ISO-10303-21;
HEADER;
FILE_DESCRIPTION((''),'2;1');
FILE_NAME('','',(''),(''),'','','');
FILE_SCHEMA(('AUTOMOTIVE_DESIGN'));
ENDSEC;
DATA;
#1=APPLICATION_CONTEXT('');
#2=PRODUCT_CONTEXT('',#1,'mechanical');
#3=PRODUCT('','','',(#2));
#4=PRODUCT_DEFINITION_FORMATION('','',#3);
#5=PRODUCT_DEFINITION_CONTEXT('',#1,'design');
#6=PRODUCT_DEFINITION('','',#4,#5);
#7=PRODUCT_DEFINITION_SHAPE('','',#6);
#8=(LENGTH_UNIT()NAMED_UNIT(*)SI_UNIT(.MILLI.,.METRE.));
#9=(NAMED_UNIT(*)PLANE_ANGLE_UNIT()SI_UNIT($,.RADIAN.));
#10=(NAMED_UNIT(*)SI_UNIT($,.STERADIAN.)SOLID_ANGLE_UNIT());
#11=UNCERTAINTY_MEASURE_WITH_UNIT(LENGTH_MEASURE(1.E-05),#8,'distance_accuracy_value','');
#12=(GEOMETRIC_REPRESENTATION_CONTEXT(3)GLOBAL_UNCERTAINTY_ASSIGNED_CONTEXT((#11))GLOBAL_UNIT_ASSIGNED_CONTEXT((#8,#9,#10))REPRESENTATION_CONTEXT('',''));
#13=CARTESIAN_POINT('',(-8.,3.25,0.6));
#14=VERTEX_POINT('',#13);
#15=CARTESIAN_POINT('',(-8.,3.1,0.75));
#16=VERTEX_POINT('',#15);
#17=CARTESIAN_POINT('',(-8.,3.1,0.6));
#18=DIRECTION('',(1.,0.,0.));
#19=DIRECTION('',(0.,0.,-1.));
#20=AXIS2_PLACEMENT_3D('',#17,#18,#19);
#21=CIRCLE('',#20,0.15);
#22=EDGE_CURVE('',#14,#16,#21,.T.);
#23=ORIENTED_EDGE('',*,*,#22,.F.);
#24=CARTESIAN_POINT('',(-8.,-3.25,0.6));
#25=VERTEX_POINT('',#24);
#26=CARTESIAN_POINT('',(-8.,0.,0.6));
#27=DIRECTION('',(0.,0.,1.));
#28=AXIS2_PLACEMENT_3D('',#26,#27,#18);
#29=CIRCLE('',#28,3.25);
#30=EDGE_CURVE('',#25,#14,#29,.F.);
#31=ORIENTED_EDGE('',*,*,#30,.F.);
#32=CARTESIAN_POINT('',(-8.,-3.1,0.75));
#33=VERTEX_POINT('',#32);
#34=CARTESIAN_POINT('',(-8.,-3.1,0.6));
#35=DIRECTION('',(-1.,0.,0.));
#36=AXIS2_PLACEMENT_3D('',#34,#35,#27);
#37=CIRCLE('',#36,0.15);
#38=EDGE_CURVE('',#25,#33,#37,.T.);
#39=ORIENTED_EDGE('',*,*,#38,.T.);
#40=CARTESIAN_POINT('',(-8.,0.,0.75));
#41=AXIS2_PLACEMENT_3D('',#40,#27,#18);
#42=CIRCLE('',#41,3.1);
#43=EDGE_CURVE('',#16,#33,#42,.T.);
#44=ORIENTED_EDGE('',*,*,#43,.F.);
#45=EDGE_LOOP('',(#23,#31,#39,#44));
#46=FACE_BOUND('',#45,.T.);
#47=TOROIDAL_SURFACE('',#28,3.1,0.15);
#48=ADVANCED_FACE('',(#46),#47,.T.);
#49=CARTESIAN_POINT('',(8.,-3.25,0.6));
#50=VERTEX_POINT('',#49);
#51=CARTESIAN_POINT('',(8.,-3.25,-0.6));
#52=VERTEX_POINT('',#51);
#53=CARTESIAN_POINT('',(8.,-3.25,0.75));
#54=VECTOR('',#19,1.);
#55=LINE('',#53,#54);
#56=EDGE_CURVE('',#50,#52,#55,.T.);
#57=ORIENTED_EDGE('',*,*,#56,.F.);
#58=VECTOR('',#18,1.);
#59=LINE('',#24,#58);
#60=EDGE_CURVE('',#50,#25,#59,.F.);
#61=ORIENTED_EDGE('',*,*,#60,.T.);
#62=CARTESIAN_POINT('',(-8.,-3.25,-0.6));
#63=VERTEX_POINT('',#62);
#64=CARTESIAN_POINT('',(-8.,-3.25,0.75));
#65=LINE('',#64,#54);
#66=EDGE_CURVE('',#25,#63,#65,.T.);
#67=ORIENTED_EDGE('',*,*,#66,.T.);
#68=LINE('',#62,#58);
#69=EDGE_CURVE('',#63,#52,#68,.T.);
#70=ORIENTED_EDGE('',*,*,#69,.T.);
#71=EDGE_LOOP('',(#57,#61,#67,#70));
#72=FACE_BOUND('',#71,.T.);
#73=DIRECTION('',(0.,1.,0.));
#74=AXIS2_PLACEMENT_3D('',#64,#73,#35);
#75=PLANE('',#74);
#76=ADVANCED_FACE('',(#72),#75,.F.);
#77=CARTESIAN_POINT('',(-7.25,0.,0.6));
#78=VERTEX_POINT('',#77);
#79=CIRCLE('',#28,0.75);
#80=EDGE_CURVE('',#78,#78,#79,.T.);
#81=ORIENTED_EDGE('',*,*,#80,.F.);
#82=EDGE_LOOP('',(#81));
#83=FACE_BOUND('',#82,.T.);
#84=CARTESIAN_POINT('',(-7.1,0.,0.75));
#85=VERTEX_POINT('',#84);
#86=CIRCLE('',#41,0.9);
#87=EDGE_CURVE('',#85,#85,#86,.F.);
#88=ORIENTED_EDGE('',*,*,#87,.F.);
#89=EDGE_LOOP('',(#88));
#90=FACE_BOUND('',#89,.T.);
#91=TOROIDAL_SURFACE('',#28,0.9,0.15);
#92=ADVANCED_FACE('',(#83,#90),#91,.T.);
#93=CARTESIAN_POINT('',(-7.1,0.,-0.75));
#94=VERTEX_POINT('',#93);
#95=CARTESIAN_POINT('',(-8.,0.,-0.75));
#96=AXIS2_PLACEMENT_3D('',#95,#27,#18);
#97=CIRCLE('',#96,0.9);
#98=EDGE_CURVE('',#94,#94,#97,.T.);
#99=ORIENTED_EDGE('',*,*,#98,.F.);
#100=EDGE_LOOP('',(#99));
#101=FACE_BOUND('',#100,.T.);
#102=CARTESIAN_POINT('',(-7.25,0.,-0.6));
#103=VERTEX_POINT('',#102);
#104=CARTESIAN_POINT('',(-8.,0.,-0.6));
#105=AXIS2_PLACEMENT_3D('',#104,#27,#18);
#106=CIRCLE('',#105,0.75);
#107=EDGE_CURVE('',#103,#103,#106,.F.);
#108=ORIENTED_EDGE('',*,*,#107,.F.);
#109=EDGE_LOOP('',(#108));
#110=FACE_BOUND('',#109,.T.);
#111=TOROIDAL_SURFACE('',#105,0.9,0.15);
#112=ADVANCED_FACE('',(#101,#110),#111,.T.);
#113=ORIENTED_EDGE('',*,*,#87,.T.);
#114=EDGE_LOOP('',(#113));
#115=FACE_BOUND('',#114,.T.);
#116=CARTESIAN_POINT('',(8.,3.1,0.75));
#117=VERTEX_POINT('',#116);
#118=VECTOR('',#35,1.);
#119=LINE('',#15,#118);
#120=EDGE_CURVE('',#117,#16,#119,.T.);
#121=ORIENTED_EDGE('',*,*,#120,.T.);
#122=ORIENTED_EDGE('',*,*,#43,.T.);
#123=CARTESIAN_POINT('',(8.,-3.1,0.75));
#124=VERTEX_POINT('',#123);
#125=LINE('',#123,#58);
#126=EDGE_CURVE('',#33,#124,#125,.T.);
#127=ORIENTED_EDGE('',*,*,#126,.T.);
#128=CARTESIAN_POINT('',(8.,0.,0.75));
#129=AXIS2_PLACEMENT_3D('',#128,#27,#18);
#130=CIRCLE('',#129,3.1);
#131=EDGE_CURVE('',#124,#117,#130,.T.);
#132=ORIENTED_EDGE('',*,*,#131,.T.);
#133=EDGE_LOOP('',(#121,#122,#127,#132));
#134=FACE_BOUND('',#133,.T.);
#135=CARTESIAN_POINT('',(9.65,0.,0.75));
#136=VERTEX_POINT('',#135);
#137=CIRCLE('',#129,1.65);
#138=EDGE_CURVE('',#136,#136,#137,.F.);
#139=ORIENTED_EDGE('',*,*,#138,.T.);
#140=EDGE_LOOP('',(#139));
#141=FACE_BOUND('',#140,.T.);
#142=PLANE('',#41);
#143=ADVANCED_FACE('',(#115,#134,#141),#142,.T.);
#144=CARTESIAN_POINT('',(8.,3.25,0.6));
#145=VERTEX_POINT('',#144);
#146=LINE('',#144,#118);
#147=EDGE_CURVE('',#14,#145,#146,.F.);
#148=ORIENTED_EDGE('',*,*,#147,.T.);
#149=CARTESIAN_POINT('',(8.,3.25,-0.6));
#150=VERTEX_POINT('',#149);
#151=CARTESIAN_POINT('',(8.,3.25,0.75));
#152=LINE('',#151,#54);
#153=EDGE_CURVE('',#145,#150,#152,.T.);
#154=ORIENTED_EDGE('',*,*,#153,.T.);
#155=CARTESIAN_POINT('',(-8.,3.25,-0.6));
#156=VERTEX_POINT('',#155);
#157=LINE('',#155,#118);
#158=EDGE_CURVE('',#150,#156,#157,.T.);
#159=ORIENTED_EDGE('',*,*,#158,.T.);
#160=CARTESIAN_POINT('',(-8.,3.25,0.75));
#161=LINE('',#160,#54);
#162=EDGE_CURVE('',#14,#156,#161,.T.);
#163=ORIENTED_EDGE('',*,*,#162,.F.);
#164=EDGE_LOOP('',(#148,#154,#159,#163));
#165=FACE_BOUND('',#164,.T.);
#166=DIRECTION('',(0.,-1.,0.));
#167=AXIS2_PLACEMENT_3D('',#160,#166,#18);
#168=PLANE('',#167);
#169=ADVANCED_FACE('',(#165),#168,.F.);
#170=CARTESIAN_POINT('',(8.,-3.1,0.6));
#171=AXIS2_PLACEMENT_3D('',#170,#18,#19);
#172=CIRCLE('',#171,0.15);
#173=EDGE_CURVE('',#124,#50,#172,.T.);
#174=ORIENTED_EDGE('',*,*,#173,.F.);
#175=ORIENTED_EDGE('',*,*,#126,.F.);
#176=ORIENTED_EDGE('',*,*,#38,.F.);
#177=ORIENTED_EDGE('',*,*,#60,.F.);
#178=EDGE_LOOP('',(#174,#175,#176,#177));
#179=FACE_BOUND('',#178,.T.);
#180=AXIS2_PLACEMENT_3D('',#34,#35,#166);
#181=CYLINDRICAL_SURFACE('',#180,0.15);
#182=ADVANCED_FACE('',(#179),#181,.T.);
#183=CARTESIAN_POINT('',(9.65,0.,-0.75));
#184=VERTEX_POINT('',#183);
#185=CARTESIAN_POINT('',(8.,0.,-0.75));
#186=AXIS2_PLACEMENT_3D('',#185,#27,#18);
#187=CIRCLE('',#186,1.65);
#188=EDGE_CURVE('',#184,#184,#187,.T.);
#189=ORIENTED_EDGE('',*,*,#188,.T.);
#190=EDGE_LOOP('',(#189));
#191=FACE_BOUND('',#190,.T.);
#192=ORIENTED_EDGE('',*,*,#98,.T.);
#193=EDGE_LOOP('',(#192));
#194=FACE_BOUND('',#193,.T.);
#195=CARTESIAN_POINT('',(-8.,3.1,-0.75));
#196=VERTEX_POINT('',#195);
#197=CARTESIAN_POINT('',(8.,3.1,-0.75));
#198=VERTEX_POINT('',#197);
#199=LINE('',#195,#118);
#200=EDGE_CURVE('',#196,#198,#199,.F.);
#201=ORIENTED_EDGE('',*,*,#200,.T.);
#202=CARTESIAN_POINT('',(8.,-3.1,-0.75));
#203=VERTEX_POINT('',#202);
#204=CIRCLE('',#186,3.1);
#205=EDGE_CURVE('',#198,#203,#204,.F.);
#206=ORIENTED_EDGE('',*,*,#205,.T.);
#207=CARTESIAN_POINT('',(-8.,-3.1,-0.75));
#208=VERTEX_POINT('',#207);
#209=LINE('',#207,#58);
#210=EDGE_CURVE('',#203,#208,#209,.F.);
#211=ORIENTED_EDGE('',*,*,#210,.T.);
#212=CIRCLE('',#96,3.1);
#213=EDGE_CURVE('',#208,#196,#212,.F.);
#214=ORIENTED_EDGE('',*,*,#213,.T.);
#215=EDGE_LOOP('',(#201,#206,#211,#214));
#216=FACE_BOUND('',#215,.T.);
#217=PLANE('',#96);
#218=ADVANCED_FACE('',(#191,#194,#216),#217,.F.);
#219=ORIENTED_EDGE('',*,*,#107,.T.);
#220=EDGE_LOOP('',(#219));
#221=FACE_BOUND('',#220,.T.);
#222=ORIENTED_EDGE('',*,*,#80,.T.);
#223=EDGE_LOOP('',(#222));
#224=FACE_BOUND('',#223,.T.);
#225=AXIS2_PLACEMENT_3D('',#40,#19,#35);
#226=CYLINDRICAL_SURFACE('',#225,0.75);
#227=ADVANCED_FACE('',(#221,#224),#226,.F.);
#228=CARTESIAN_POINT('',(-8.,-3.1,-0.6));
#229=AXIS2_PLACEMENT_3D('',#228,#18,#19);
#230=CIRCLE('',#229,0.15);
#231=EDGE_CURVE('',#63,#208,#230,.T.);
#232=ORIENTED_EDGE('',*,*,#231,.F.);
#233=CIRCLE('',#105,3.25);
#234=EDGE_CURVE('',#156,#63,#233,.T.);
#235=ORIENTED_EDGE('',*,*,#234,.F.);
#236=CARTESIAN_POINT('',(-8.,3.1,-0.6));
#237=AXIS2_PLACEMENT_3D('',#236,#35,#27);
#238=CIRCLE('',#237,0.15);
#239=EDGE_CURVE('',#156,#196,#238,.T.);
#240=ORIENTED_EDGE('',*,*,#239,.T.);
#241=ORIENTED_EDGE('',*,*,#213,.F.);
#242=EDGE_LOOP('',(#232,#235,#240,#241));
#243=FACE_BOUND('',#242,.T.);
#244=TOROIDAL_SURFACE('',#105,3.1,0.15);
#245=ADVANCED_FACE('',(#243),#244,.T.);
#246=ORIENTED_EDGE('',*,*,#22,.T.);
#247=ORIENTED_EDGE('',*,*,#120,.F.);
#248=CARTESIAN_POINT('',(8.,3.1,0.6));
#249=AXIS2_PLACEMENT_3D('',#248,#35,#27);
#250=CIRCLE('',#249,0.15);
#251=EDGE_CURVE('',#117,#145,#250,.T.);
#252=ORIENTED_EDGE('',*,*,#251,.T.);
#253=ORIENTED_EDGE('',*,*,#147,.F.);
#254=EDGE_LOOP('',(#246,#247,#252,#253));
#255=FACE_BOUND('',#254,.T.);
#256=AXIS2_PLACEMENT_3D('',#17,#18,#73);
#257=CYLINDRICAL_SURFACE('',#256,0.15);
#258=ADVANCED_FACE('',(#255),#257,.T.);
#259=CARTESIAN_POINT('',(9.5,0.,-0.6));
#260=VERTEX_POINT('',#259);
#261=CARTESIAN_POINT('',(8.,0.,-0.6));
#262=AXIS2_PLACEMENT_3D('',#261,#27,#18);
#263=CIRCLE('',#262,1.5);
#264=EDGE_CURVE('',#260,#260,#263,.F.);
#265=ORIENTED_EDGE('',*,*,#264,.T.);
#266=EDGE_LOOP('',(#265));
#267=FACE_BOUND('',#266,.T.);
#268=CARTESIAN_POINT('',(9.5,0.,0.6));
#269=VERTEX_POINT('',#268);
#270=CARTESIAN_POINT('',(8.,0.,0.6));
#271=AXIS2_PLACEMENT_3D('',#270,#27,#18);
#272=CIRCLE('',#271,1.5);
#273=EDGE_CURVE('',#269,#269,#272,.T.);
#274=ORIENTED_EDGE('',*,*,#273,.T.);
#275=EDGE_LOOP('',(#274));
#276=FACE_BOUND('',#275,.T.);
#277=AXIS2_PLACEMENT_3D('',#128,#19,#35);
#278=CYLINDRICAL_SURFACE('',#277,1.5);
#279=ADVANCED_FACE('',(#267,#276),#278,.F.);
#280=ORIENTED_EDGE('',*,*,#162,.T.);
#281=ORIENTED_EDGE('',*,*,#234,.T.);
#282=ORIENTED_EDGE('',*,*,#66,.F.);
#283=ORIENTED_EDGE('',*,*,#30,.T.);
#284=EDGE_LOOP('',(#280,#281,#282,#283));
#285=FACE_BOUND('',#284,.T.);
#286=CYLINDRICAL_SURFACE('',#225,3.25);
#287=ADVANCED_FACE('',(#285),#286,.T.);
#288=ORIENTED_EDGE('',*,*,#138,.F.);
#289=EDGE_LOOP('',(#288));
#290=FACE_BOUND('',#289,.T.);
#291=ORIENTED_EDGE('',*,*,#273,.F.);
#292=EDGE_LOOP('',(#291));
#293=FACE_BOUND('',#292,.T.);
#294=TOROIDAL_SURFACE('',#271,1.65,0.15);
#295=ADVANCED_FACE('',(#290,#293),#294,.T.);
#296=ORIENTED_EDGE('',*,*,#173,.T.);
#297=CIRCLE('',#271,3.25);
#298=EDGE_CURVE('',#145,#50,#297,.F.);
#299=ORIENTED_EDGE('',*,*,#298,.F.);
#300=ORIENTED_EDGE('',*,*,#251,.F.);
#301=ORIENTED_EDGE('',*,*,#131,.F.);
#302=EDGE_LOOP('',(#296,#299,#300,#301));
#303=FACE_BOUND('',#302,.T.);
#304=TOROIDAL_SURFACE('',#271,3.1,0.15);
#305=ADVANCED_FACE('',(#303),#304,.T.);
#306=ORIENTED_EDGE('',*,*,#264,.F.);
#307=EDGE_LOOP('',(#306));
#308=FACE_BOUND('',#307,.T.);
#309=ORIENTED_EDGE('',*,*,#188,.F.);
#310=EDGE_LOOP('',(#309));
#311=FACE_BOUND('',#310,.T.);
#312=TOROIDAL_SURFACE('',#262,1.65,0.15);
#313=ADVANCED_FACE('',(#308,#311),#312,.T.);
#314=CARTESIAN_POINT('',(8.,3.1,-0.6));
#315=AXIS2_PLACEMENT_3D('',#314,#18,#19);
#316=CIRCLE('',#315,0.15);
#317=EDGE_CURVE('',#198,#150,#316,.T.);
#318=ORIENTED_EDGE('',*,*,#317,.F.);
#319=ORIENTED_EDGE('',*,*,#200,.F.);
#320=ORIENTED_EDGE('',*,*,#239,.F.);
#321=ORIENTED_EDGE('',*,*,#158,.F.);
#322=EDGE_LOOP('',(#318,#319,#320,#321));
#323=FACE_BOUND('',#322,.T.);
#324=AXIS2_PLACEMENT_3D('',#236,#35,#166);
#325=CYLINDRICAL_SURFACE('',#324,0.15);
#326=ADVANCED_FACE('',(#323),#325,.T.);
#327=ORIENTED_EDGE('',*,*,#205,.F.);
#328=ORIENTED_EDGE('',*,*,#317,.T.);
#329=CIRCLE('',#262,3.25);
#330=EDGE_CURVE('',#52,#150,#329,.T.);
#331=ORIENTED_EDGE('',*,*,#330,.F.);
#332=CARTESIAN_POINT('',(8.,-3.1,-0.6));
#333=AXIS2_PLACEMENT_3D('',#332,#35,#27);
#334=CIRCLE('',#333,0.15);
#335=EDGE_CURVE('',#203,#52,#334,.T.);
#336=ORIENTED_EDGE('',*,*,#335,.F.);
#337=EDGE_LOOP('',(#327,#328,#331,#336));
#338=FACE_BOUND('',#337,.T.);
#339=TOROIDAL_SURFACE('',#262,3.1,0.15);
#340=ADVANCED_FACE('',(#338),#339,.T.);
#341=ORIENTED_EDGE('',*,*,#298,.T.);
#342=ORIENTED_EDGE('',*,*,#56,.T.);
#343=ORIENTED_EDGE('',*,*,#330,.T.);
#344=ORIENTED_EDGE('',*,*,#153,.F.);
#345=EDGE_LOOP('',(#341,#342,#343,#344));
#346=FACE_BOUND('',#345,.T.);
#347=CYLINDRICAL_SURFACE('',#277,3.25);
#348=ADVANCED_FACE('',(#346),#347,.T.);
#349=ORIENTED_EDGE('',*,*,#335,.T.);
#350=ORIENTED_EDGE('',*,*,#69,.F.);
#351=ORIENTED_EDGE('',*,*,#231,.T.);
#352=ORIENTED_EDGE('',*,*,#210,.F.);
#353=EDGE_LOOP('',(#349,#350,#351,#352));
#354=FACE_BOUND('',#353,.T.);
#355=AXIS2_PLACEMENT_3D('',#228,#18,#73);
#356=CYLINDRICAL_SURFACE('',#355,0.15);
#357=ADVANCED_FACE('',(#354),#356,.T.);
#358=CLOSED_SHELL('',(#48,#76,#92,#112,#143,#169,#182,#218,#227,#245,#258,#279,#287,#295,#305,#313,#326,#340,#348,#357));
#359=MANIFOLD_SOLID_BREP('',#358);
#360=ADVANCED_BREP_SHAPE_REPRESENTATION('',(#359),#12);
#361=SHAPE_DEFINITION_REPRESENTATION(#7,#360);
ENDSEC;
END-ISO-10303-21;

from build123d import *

# Parameters (mm, degrees)
SKETCH1_R           = 0.75
SKETCH1_R_2         = 1.5
BOSS_EXTRUDE1_DEPTH = 0.75
FILLET1_R           = 0.15


with BuildPart() as part:
    # Sketch1 → Boss-Extrude1 (new, symmetric)
    with BuildSketch(Plane.XY):
        with BuildLine():
            Line((-8, 3.25), (8, 3.25))
            ThreePointArc((8, 3.25), (11.25, 0), (8, -3.25))
            Line((8, -3.25), (-8, -3.25))
            ThreePointArc((-8, -3.25), (-11.25, 0), (-8, 3.25))
        make_face()
        with Locations((-8, 0)):
            Circle(SKETCH1_R, mode=Mode.SUBTRACT)
        with Locations((8, 0)):
            Circle(SKETCH1_R_2, mode=Mode.SUBTRACT)
    extrude(amount=BOSS_EXTRUDE1_DEPTH, both=True)

    # Fillet1
    fillet1_edges = [part.edges().sort_by_distance(p)[0] for p in [
        (-8.75, 0, -0.75),
        (-8.75, 0, 0.75),
        (11.25, 0, 0.75),
        (6.5, 0, -0.75),
        (6.5, 0, 0.75),
        (0, 3.25, 0.75),
        (-11.25, 0, 0.75),
        (0, 3.25, -0.75),
        (11.25, 0, -0.75),
        (0, -3.25, -0.75),
        (-11.25, 0, -0.75),
        (0, -3.25, 0.75),
    ]]
    fillet(fillet1_edges, radius=FILLET1_R)


solid = part.part
